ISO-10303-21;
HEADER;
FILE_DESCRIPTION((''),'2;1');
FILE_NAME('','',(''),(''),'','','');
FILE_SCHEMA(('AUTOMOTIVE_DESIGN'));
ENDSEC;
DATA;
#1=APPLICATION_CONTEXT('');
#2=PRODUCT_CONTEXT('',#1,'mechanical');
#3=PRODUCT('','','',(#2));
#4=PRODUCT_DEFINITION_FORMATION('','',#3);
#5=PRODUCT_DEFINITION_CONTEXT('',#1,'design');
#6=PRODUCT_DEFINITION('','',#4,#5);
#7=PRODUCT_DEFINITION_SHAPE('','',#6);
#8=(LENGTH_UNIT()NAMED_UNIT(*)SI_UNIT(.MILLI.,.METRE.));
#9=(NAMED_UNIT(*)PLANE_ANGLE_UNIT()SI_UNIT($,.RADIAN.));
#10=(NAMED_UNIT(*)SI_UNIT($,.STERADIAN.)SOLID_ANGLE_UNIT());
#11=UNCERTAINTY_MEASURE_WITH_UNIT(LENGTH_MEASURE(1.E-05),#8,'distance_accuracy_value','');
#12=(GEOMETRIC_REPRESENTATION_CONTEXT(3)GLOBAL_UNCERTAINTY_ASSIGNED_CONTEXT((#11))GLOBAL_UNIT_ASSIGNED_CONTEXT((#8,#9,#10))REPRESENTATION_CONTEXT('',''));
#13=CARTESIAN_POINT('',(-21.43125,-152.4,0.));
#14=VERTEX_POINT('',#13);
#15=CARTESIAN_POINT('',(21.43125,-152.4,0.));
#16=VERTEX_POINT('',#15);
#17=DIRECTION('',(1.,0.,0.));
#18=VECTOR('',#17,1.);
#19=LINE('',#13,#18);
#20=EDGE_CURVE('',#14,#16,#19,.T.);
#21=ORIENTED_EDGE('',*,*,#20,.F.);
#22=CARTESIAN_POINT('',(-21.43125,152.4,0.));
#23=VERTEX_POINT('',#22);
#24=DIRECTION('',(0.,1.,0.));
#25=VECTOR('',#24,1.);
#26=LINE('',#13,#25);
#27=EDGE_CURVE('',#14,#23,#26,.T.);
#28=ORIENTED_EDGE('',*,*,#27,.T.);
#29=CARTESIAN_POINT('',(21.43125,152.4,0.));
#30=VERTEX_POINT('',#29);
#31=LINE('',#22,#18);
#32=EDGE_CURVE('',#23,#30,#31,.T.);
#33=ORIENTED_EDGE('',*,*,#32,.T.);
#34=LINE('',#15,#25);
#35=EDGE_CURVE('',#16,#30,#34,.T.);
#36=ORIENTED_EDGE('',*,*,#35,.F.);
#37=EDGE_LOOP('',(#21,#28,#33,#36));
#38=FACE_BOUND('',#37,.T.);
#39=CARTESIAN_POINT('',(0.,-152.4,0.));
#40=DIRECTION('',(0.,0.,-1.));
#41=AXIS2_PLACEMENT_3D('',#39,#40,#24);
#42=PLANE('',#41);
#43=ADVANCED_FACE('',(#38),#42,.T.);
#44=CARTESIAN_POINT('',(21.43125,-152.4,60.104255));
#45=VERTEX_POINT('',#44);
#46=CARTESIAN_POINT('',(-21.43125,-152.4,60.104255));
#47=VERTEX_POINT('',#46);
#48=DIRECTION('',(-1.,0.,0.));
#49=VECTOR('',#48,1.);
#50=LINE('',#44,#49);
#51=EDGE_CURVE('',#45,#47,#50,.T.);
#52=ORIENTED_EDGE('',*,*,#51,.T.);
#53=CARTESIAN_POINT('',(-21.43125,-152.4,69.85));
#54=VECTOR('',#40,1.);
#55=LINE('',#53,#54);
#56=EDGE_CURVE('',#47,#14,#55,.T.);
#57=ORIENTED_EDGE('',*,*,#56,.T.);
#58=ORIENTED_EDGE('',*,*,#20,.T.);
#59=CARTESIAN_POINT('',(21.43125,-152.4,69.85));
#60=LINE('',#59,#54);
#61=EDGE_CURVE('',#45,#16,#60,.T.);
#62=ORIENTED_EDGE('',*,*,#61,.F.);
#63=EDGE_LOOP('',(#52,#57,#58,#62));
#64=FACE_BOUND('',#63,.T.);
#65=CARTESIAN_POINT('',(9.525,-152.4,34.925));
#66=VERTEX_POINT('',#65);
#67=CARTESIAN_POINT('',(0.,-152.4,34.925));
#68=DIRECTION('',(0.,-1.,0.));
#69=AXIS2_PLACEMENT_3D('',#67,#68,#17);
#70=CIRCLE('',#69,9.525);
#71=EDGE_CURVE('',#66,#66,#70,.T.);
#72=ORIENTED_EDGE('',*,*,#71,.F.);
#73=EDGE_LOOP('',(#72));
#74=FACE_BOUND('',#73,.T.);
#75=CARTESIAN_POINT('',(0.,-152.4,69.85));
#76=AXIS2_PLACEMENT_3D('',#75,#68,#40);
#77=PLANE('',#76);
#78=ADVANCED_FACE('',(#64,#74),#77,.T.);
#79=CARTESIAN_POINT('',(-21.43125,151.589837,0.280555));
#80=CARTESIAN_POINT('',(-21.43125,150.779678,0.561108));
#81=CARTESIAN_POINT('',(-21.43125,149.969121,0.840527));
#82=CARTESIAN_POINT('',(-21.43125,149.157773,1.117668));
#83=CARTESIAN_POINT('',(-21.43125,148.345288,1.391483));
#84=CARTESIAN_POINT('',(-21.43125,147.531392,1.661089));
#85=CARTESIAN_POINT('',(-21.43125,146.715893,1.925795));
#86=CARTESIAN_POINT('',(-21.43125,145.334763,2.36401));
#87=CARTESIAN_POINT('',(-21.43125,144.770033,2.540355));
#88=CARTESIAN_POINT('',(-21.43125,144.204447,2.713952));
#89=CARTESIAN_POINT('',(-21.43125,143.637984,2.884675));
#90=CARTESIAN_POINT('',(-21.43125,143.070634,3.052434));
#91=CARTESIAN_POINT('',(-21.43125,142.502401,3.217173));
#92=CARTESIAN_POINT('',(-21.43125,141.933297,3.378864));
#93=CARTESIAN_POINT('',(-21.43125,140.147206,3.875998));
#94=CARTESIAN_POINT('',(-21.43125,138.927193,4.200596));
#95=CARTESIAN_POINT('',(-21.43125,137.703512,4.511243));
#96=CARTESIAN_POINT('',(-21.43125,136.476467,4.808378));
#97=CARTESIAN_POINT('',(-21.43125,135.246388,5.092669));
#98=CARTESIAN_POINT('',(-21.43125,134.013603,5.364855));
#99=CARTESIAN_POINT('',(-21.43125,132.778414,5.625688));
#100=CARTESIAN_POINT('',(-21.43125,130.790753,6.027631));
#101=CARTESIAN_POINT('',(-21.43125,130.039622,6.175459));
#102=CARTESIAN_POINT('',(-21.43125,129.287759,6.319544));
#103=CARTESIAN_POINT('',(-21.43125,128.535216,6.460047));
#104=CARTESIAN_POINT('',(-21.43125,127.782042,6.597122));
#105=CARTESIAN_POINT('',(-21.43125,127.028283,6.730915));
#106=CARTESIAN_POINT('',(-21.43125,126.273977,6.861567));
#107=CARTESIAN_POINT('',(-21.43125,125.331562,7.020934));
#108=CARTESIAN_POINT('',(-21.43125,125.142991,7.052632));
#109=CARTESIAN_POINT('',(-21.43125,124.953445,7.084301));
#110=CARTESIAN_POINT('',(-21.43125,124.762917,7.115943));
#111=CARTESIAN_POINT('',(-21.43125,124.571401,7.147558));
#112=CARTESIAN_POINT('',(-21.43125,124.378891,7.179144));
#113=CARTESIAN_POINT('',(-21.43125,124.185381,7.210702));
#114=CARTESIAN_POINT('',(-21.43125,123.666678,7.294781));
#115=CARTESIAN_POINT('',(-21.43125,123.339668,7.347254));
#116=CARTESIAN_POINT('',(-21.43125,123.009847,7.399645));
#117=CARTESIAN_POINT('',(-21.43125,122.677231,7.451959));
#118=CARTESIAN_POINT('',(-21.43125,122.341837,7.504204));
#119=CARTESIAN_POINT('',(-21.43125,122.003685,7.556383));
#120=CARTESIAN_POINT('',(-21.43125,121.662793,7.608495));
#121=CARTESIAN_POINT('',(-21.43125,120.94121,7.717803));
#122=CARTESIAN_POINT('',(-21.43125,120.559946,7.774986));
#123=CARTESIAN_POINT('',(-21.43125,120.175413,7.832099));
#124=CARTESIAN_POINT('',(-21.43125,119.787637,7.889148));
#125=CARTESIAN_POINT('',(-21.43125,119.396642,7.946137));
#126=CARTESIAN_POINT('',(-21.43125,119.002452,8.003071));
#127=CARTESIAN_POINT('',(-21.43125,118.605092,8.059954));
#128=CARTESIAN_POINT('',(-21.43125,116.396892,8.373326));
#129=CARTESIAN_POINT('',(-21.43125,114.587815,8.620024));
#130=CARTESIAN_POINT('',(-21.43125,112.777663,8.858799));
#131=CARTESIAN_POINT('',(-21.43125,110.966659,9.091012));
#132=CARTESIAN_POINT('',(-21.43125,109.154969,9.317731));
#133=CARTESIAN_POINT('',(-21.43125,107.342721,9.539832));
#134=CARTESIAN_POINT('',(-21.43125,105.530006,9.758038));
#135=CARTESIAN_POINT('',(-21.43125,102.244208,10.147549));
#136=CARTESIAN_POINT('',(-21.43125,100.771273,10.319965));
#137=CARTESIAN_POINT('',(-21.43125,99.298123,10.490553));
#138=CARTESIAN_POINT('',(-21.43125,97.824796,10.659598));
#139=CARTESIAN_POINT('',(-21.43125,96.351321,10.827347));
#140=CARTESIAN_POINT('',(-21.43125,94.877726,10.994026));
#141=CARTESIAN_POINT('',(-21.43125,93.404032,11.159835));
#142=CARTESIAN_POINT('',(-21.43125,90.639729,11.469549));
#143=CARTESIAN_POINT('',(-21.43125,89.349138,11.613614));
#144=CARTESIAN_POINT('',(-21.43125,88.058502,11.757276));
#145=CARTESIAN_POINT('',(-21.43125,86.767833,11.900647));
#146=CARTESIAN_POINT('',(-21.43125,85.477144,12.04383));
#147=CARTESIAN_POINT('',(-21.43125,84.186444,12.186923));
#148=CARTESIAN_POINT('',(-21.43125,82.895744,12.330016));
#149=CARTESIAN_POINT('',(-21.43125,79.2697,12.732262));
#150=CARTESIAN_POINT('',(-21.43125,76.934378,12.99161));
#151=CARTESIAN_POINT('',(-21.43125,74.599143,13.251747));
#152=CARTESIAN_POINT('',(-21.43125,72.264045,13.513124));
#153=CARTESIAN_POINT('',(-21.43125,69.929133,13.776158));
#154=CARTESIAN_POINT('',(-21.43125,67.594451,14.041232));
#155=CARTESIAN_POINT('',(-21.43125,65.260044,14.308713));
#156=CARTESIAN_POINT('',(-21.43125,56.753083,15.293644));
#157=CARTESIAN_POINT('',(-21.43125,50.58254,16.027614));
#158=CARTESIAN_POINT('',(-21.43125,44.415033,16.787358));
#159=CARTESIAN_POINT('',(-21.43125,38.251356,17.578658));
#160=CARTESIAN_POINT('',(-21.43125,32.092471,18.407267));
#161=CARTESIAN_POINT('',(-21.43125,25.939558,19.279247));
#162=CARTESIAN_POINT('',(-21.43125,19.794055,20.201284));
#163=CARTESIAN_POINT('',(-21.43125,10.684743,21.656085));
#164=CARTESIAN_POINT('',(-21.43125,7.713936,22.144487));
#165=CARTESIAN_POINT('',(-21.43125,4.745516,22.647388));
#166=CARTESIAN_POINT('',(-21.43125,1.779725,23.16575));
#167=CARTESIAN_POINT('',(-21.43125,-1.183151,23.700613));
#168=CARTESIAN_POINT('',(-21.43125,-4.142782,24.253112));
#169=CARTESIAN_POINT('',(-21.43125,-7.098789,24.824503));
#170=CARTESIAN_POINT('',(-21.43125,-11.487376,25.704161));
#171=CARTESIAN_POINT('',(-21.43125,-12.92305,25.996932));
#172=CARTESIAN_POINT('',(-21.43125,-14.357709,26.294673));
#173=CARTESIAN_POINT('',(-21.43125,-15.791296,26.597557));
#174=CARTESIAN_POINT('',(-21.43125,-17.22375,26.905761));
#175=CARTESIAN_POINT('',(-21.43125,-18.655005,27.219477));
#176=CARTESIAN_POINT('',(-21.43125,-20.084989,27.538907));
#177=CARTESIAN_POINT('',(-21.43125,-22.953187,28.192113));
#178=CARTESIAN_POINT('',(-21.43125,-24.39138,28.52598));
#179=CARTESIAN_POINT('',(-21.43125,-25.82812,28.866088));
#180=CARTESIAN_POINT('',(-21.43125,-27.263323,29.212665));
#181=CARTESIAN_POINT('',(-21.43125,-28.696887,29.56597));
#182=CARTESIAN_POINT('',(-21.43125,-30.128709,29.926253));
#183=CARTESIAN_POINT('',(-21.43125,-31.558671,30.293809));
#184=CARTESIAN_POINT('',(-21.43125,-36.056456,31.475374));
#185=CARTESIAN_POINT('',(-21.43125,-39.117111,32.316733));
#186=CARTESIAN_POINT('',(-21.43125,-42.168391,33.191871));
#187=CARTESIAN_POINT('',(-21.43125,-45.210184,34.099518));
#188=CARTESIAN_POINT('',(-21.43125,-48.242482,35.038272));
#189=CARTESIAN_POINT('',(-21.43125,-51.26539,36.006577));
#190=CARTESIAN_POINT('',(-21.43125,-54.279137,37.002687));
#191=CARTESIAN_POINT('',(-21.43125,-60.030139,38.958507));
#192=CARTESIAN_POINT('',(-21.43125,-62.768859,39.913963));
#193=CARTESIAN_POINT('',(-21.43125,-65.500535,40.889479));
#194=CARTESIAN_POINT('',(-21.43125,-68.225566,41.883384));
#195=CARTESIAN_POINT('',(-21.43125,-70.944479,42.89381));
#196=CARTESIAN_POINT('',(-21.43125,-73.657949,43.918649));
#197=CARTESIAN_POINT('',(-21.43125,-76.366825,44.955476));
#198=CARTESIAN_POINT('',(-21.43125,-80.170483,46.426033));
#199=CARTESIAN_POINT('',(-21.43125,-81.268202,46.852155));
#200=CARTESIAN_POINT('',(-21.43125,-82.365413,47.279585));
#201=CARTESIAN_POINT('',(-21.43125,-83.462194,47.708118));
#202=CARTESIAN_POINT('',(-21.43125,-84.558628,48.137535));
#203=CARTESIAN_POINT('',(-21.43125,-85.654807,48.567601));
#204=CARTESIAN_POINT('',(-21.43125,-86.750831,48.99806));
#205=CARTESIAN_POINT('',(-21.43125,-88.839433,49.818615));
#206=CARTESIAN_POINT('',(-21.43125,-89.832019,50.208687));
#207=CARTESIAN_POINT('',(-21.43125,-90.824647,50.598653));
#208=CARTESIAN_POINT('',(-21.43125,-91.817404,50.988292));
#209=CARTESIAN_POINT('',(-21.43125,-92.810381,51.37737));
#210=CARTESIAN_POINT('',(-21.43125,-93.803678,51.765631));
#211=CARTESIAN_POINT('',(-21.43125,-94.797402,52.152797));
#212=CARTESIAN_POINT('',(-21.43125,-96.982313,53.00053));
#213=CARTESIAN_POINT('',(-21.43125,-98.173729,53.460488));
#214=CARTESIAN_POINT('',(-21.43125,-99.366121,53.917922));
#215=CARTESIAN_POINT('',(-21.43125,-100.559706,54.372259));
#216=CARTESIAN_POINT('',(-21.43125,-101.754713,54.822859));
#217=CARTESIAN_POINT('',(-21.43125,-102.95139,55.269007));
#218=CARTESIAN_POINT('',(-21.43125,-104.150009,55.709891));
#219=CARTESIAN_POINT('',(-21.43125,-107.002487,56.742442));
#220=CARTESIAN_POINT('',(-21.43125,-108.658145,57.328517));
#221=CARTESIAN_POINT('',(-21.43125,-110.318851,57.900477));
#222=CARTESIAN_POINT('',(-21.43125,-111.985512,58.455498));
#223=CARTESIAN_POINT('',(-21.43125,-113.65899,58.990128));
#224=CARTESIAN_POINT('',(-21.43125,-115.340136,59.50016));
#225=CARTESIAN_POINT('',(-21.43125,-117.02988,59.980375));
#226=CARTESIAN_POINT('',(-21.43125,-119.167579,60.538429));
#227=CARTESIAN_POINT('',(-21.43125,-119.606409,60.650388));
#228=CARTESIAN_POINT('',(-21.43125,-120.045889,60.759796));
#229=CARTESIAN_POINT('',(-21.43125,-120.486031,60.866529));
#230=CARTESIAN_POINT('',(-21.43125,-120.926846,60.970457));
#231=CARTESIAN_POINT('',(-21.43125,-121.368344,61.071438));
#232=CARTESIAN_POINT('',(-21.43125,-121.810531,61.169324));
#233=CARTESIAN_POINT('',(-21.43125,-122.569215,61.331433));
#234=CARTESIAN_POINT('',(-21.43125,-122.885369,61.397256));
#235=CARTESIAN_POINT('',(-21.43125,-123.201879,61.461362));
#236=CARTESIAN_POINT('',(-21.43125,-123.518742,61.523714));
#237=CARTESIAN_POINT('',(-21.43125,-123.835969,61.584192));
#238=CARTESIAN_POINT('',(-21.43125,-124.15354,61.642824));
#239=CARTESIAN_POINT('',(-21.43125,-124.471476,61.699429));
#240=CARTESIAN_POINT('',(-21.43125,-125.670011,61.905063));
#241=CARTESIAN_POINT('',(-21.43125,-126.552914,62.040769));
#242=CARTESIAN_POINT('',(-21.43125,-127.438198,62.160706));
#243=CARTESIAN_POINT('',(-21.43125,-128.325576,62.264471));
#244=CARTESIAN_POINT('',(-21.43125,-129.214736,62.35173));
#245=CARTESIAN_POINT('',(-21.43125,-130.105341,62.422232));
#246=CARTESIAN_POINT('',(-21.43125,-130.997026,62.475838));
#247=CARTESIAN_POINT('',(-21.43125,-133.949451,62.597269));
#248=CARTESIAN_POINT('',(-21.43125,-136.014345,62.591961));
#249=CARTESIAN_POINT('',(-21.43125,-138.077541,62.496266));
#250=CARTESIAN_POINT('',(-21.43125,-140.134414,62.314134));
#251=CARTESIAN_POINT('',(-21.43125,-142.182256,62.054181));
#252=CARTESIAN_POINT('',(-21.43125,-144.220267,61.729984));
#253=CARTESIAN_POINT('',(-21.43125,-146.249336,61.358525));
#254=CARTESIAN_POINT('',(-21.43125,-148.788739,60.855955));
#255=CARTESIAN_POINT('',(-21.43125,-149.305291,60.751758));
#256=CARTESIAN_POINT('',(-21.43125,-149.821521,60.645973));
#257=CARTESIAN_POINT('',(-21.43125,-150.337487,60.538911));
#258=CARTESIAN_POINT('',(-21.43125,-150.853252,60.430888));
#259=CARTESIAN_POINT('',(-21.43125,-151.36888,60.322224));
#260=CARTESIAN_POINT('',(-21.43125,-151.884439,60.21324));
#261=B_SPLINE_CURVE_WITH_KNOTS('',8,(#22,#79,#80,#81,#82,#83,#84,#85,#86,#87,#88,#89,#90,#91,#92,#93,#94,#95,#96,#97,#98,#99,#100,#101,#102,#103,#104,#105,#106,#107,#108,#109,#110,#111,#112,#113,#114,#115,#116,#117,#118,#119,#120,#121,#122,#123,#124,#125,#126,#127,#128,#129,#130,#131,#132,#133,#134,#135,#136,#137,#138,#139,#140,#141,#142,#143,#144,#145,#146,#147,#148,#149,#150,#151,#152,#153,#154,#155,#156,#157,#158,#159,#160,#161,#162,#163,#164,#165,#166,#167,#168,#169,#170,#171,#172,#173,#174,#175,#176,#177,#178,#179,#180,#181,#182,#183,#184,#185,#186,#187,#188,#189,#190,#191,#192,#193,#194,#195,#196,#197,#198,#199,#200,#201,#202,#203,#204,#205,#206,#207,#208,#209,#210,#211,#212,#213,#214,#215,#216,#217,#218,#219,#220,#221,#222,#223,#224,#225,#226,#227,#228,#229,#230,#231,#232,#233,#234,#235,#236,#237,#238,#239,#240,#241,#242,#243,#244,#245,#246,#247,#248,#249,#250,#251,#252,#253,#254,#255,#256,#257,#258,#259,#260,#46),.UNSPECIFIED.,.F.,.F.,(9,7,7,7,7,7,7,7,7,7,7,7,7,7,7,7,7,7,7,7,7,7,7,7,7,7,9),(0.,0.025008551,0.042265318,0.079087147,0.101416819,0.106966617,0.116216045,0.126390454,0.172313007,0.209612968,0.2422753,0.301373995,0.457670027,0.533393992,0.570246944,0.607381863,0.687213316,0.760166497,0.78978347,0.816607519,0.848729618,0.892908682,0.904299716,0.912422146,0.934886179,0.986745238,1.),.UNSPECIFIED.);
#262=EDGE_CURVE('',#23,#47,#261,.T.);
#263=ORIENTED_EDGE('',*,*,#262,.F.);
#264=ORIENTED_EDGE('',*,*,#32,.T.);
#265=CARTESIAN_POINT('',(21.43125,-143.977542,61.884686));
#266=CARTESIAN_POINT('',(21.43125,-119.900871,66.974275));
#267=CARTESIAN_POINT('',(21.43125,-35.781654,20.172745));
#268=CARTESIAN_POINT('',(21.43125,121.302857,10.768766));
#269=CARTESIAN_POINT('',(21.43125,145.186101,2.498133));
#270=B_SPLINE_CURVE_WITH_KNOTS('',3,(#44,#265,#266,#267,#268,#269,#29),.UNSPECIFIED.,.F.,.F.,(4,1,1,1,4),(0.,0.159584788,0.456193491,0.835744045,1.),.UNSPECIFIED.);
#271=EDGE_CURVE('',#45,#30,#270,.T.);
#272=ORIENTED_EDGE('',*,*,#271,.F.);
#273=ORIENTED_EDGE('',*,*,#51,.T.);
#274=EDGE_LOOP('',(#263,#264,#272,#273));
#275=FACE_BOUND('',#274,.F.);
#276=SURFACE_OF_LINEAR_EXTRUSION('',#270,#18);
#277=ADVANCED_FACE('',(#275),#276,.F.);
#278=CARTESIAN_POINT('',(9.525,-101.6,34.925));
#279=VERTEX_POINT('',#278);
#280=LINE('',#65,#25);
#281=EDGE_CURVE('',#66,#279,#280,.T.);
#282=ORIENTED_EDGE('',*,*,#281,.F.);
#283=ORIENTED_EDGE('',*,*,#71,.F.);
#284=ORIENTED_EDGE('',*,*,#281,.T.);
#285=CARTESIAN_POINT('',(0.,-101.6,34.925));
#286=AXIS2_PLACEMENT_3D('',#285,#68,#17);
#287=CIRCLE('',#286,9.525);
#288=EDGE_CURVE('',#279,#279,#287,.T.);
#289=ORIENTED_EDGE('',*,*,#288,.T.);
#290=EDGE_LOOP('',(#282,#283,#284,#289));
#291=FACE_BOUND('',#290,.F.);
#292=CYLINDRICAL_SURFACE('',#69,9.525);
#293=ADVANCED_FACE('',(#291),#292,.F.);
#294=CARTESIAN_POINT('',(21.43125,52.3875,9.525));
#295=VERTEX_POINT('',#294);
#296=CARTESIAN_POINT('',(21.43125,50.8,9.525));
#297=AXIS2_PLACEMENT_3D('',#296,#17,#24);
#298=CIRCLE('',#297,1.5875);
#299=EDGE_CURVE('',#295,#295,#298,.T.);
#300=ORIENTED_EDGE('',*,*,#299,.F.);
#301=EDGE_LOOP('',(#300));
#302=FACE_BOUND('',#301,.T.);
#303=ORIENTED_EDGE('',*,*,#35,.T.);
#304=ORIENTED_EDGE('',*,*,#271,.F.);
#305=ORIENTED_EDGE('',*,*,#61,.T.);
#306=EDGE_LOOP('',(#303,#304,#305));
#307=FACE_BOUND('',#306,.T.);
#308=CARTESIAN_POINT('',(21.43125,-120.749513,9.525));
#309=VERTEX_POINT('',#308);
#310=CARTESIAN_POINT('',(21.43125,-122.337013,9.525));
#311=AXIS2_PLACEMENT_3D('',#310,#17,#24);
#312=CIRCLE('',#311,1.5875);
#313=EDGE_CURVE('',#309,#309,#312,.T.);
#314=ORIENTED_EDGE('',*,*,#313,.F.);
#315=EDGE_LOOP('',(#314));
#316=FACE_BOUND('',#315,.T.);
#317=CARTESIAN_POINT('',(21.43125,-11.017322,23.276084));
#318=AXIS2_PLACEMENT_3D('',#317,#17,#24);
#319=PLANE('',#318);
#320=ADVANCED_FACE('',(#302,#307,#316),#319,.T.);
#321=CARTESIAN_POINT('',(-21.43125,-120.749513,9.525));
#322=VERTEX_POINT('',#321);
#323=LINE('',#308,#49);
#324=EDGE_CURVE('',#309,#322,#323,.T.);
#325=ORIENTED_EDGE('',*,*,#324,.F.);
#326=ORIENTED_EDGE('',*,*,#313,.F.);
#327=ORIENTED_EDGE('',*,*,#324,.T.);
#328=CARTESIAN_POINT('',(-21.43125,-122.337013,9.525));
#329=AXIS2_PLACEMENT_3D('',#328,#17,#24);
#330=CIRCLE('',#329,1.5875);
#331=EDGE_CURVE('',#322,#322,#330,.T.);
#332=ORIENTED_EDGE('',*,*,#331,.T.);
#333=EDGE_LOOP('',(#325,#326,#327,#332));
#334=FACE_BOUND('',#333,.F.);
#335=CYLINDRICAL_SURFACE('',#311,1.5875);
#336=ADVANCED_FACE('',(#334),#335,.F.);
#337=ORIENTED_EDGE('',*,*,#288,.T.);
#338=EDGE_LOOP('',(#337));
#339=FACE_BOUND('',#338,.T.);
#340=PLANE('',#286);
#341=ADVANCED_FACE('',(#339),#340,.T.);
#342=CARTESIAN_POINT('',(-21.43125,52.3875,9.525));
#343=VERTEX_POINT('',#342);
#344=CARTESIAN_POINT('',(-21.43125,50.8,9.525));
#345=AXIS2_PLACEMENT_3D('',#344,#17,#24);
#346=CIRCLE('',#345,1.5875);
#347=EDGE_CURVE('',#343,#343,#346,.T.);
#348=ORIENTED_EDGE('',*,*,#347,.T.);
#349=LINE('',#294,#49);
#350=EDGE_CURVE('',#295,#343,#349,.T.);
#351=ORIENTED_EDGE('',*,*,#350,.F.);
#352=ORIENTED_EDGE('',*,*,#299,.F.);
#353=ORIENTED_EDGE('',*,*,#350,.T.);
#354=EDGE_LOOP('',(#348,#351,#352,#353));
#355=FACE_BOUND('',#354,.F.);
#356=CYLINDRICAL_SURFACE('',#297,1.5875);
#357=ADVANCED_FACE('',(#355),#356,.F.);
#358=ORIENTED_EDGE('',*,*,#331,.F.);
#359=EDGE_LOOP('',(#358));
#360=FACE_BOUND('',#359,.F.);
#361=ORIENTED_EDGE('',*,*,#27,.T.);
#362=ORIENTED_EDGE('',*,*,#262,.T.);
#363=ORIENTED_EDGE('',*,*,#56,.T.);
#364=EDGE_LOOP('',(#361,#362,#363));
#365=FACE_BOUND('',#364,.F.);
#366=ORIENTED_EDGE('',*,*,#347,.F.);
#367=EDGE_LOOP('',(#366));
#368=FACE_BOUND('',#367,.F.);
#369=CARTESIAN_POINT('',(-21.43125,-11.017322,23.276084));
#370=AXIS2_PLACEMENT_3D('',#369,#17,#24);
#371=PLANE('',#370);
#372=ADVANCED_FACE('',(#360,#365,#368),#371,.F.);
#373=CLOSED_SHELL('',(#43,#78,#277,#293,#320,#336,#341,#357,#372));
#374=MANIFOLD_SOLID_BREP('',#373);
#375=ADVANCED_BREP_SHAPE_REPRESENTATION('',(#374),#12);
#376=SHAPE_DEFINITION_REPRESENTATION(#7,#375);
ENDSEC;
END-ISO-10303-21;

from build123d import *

# Parameters (mm, degrees)
F1_DEPTH = 21.43125
F2_R     = 9.525
F3_DEPTH = 50.8
F4_R     = 1.5875
F5_DEPTH = 42.8635


with BuildPart() as f1:
    # F0 (on Right) → F1 (new body, symmetric)
    with BuildSketch(Plane.YZ):
        Polygon((-152.4, 69.85), (-152.4, 0), (152.4, 0), (152.4, 19.05), align=None)
    extrude(amount=F1_DEPTH, both=True)

    # F2 (on face) → F3 (cut)
    with BuildSketch(Plane.XZ.offset(152.4)):
        with Locations((0, 34.925)):
            Circle(F2_R)
    extrude(amount=-F3_DEPTH, mode=Mode.SUBTRACT)

    # F4 (on face) → F5 (intersect, through all)
    with BuildSketch(Plane.YZ.offset(21.43125)):
        with BuildLine():
            add(Edge.make_bspline(
                [(-152.4, 60.1042546332), (-143.977542079, 61.8846855271), (-119.9008707419, 66.9742745607), (-35.7816538858, 20.1727447549), (121.302857192, 10.7687664806), (145.1861012922, 2.498132741), (152.4, 0)],
                knots=[0, 0, 0, 0, 0.1595847878, 0.4561934915, 0.835744045, 1, 1, 1, 1], degree=3))
            Line((-152.4, 60.1042546332), (-152.4, 0))
            Line((-152.4, 0), (152.4, 0))
        make_face()
        with Locations((-122.337013483, 9.525)):
            Circle(F4_R, mode=Mode.SUBTRACT)
        with Locations((50.8, 9.525)):
            Circle(F4_R, mode=Mode.SUBTRACT)
    extrude(amount=-F5_DEPTH, mode=Mode.INTERSECT)


solid = f1.part
